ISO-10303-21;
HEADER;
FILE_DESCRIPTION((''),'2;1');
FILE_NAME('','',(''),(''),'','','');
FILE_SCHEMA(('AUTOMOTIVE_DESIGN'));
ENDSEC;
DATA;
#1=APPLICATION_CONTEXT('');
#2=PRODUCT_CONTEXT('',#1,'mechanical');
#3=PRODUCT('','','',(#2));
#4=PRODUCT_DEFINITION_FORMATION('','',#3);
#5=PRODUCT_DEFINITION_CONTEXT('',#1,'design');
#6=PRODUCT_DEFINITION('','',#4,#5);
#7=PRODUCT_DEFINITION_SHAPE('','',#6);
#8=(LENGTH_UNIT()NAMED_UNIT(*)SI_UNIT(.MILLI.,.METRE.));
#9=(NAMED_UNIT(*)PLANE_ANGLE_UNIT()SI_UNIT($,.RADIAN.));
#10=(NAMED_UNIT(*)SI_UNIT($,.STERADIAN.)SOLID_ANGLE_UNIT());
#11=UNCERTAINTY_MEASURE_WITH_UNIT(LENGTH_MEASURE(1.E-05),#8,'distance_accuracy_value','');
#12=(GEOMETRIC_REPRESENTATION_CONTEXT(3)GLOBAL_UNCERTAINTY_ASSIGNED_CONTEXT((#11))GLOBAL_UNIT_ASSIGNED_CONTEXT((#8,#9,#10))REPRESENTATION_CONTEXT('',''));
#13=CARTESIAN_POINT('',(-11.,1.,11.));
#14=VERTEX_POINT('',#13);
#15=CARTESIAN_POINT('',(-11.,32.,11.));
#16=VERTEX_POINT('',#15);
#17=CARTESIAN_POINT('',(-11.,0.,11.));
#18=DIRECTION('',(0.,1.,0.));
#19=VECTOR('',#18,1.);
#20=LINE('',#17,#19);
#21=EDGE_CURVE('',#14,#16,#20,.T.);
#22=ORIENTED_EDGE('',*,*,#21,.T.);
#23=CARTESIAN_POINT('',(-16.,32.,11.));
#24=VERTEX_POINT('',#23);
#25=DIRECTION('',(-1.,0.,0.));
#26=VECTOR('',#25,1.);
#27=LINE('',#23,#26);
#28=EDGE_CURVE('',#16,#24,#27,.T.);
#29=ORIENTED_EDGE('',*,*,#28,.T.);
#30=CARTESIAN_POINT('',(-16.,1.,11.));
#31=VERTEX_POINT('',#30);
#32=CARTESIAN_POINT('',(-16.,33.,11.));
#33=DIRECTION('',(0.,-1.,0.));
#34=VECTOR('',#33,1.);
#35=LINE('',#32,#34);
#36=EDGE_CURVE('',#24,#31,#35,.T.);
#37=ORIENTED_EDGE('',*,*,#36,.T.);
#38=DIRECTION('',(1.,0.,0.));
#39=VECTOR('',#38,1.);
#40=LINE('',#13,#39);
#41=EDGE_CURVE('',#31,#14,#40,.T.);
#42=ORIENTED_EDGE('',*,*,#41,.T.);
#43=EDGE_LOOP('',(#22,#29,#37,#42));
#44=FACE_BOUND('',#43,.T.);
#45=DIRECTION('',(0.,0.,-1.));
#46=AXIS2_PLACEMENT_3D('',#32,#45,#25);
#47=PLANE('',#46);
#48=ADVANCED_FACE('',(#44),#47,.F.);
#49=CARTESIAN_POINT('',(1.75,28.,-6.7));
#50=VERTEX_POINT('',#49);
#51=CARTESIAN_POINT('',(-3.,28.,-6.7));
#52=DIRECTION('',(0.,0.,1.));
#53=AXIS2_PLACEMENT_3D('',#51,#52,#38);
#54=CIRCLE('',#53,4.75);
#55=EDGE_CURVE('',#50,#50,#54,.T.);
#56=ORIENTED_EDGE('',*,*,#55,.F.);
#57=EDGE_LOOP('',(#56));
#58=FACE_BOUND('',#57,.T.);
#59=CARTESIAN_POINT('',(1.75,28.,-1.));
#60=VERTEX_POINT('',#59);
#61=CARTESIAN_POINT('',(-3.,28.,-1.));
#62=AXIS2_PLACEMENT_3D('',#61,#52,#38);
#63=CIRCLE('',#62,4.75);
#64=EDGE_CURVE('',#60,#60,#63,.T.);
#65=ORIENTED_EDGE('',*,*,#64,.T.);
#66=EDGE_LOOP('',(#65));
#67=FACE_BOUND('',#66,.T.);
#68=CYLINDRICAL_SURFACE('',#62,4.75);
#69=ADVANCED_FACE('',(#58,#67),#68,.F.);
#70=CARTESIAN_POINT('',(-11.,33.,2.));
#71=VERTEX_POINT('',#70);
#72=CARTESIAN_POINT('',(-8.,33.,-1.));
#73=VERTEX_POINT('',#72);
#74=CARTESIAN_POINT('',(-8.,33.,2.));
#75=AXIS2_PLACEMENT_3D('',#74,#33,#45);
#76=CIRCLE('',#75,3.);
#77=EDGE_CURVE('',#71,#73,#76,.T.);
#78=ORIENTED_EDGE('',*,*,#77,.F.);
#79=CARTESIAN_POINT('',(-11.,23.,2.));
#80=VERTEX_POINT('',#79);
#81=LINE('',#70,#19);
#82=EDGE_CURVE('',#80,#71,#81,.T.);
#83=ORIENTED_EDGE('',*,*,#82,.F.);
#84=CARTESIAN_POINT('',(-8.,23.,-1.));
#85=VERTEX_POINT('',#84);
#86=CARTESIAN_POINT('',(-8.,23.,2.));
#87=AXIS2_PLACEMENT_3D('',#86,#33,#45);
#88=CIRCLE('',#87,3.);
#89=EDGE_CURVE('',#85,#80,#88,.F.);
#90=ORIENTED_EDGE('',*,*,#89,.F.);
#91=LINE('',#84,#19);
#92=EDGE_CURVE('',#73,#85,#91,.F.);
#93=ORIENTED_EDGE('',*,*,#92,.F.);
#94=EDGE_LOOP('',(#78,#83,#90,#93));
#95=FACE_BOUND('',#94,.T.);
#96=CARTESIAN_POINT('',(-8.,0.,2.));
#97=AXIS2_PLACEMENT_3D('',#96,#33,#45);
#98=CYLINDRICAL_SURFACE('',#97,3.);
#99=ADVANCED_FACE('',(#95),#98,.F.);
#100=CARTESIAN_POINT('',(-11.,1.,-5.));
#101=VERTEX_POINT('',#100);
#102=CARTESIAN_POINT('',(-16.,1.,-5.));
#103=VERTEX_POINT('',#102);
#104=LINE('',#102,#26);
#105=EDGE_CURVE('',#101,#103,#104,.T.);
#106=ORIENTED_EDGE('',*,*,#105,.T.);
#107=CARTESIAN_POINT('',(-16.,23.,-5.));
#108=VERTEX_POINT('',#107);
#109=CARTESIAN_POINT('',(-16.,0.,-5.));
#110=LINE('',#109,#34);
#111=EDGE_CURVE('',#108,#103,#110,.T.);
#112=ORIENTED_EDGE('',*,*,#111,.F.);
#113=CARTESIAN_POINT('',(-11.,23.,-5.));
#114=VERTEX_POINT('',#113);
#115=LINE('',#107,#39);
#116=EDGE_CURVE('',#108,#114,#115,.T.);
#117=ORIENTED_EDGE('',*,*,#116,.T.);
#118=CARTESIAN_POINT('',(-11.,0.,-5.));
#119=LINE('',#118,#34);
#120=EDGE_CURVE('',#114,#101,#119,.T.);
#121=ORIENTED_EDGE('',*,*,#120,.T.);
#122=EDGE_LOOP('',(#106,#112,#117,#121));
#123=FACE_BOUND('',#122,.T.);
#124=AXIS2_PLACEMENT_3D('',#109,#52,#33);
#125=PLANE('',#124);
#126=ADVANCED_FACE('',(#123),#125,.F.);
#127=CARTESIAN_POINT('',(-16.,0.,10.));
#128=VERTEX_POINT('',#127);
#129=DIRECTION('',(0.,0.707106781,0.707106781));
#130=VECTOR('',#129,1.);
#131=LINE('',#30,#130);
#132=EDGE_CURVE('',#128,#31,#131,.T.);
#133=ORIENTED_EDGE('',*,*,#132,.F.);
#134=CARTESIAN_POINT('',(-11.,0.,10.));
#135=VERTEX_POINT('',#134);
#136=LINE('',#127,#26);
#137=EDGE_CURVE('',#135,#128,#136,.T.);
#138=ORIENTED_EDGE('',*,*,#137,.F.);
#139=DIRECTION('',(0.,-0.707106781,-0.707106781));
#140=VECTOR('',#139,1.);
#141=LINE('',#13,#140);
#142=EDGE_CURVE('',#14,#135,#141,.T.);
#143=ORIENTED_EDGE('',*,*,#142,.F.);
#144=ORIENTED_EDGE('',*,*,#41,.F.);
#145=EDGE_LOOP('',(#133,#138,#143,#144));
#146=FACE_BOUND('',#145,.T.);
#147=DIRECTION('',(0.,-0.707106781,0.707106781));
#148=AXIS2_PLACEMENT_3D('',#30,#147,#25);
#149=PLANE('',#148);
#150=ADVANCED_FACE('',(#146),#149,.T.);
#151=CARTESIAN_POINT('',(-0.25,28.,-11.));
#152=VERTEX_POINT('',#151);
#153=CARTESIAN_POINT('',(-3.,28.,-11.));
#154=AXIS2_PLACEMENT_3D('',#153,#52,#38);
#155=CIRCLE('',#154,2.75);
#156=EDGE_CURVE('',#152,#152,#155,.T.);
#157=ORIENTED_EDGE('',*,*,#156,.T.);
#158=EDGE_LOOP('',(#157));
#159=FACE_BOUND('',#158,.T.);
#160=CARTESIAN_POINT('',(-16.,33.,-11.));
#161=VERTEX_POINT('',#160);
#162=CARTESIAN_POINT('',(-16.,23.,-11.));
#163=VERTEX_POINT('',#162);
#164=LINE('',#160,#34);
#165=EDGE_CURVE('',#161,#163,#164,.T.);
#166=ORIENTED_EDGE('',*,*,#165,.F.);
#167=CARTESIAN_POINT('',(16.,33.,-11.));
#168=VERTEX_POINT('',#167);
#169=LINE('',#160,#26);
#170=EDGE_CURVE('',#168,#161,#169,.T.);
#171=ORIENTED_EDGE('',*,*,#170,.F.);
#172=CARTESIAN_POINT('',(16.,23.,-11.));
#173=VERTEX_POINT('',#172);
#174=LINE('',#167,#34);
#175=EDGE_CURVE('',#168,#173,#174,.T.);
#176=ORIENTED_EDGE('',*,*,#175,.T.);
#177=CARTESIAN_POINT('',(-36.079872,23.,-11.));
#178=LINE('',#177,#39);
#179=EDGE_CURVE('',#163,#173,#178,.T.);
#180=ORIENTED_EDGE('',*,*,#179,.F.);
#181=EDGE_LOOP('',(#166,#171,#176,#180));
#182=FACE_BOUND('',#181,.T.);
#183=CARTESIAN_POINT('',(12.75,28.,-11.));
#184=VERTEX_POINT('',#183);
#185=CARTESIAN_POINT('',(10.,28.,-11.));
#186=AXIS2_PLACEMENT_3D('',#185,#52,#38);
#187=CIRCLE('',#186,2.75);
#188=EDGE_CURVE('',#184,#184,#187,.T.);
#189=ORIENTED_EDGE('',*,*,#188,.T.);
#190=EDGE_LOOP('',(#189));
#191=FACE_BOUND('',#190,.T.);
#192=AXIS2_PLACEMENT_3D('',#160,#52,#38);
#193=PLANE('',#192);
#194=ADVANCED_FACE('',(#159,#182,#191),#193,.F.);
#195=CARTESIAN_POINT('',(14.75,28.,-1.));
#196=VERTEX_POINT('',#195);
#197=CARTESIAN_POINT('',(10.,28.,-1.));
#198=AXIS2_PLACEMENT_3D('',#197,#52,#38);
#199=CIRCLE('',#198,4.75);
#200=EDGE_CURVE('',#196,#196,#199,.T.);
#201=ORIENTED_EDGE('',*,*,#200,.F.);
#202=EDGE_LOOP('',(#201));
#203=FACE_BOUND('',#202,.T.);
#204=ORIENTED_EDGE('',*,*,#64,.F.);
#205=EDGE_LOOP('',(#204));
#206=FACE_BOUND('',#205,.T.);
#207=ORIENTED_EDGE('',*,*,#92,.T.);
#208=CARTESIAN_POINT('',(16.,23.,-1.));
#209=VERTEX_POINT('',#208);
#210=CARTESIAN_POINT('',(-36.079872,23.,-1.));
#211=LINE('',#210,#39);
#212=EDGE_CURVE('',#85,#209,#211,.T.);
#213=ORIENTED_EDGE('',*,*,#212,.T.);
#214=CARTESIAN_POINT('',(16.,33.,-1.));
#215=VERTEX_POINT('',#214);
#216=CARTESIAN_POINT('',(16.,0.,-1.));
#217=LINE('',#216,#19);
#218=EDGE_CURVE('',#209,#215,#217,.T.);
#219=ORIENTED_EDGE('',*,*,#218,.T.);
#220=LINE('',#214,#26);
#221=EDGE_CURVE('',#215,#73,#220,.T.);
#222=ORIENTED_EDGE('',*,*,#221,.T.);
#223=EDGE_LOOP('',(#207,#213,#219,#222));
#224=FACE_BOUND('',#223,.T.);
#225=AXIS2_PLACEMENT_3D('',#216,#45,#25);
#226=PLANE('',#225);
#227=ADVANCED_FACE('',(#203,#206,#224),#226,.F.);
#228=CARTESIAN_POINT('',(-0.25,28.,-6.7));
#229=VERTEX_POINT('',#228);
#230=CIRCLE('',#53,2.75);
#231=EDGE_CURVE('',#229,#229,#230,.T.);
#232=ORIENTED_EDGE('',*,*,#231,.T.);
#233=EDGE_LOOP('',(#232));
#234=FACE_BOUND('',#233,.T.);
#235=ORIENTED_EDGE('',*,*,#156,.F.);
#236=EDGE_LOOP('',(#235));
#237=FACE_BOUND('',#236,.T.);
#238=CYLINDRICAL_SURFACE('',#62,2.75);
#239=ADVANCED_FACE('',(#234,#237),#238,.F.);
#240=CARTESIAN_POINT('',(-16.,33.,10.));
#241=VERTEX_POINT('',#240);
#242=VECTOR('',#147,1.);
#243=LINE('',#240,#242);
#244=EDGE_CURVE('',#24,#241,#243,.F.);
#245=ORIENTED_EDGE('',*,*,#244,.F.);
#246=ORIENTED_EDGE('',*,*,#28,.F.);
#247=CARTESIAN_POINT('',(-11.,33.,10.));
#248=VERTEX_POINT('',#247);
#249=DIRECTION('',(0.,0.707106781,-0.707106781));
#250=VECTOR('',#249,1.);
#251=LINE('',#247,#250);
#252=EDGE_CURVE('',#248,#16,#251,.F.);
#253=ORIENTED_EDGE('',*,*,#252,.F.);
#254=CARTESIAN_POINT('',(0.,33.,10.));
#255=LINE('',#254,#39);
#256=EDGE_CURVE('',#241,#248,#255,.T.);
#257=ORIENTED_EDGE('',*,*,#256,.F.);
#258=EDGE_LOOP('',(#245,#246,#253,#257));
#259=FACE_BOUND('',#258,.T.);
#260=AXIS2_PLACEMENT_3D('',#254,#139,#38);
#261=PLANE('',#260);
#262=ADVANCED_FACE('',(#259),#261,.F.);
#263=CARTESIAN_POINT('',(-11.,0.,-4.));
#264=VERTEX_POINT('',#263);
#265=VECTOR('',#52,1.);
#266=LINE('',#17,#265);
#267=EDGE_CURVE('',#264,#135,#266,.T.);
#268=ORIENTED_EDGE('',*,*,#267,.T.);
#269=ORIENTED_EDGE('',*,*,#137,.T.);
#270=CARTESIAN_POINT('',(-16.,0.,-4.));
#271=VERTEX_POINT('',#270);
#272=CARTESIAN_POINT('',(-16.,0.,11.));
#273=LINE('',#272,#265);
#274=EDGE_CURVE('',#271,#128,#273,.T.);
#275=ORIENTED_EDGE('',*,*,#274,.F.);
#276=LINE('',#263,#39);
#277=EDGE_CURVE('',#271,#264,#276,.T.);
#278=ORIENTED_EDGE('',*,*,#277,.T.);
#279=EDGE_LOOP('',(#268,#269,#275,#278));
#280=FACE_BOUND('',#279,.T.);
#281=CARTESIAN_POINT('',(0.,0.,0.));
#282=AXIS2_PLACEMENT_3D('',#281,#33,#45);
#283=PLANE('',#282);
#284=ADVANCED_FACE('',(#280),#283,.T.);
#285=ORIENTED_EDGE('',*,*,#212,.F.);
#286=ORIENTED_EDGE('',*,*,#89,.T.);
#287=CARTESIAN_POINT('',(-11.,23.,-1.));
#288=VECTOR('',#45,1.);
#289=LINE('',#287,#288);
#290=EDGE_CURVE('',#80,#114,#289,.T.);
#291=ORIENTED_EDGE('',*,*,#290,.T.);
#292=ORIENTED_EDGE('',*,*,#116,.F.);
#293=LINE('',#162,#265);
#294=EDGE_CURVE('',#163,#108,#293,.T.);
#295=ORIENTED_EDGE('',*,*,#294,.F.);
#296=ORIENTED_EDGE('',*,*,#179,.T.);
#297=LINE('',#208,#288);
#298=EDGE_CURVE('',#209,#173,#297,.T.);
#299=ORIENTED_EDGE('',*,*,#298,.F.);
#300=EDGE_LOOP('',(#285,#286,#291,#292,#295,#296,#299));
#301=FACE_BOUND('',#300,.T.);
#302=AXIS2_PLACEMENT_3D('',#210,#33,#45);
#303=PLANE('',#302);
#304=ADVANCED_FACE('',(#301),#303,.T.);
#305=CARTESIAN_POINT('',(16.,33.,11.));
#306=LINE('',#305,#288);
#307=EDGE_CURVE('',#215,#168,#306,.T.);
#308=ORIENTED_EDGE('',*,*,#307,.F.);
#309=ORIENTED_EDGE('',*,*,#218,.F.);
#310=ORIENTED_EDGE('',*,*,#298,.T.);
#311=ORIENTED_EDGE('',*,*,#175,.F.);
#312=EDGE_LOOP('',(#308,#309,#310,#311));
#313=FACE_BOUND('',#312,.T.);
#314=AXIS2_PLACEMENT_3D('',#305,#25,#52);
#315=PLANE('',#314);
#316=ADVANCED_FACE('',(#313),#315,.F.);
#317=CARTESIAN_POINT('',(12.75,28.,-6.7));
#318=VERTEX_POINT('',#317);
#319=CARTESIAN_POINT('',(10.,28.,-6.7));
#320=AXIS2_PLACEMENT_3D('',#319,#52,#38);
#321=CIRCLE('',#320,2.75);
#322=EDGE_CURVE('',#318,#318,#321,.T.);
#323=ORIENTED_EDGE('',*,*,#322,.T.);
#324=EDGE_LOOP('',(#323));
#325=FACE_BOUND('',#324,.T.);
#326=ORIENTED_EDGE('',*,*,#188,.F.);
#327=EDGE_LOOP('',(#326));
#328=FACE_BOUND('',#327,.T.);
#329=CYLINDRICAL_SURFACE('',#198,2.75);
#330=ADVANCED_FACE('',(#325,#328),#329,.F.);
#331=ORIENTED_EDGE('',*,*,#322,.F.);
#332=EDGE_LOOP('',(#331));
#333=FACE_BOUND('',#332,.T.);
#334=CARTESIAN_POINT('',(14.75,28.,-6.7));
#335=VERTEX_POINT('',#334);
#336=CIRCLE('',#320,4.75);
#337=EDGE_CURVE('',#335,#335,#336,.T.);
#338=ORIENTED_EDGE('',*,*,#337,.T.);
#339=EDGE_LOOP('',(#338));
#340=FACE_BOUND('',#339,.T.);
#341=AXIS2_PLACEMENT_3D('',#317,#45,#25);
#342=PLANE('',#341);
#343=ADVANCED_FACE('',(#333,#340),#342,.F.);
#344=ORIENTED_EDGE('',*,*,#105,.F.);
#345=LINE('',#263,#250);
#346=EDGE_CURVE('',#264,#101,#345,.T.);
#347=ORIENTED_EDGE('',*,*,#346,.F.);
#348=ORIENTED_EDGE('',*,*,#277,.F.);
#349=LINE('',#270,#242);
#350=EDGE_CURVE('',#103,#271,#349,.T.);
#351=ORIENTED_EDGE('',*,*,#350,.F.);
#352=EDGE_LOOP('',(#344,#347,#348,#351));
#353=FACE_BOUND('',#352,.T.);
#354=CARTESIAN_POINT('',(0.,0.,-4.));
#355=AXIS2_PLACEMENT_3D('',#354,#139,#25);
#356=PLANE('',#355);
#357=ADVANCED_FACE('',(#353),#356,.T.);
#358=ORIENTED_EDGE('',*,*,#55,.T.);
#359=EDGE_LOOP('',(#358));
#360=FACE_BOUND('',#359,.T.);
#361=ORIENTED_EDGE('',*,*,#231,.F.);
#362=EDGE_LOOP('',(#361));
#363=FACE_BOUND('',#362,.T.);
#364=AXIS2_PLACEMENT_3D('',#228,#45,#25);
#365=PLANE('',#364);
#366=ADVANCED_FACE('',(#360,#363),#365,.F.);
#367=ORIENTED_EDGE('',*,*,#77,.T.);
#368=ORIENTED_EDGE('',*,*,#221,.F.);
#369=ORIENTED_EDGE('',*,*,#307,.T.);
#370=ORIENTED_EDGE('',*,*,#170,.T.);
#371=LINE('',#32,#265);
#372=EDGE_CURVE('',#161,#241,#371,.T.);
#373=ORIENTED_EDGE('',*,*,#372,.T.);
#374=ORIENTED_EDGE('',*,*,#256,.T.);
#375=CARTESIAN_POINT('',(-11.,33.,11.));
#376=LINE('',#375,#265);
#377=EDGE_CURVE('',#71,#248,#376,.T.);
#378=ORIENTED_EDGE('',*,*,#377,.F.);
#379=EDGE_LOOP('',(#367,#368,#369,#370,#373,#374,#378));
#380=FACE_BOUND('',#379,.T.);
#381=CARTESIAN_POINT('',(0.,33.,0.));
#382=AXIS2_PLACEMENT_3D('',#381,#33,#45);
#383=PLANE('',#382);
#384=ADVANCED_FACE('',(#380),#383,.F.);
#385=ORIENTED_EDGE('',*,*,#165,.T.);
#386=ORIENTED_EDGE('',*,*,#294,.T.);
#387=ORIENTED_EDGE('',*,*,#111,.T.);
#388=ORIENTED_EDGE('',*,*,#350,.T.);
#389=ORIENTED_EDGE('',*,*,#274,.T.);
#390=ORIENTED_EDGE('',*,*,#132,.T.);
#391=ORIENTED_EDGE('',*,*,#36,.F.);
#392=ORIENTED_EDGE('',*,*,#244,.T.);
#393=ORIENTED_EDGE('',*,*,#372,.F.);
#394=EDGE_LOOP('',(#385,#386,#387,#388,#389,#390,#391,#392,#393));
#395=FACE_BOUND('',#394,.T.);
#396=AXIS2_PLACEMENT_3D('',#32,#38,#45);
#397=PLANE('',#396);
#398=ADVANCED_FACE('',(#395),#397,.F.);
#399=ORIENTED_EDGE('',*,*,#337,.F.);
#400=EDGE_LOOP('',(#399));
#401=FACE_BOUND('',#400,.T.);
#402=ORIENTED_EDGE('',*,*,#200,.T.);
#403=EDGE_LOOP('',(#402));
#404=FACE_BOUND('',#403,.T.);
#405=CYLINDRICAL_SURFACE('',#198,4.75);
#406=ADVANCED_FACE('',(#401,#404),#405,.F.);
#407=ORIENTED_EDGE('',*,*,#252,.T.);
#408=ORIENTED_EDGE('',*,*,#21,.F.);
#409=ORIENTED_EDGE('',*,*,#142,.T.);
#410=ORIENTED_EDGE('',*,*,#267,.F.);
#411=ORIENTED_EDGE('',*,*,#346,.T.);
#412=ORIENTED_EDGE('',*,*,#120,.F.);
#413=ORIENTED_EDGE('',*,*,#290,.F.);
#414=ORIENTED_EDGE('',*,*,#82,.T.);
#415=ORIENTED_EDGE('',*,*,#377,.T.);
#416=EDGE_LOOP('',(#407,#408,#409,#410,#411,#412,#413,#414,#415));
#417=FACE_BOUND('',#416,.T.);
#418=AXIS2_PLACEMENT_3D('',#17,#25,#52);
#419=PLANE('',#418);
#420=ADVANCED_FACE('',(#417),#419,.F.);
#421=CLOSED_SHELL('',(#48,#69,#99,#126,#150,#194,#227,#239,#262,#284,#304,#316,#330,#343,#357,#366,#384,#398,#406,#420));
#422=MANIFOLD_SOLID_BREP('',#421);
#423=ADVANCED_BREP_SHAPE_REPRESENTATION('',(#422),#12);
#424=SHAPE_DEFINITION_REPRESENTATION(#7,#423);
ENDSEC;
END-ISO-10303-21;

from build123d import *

# Parameters (mm, degrees)
SKETCH_1_W                = 32
SKETCH_1_H                = 22
EXTRUDE_1_DEPTH           = 33
SKETCH_2_W                = 27
SKETCH_2_H                = 12
CUT_EXTRUDE_1_DEPTH       = 39.288379438
SKETCH_4_W                = 10
SKETCH_4_H                = 23
CUT_EXTRUDE_2_DEPTH       = 27
HOLE_WIZARD_1_D           = 5.5
HOLE_WIZARD_1_CBORE_D     = 9.5
HOLE_WIZARD_1_CBORE_DEPTH = 5.7
SKETCH_8_W                = 6
SKETCH_8_H                = 23
CUT_EXTRUDE_3_DEPTH       = 45.034077713
FILLET_1_R                = 3
CHAMFER_1_SIZE            = 1


with BuildPart() as part:
    # 草图1 → 凸台-拉伸1 (new body)
    with BuildSketch(Plane(origin=(0, 0, 0), x_dir=(1, 0, 0), z_dir=(0, 1, 0))):
        Rectangle(SKETCH_1_W, SKETCH_1_H)
    extrude(amount=EXTRUDE_1_DEPTH)

    # 草图2 → 切除-拉伸1 (cut, through all)
    with BuildSketch(Plane(origin=(0, 33, 0), x_dir=(1, 0, 0), z_dir=(0, 1, 0))):
        with Locations((2.5, -5)):
            Rectangle(SKETCH_2_W, SKETCH_2_H)
    extrude(amount=-CUT_EXTRUDE_1_DEPTH, mode=Mode.SUBTRACT)

    # 草图4 → 切除-拉伸2 (cut)
    with BuildSketch(Plane(origin=(16, 0, -21), x_dir=(0, 0, 1), z_dir=(-1, 0, 0))):
        with Locations((15, 11.5)):
            Rectangle(SKETCH_4_W, SKETCH_4_H)
    extrude(amount=CUT_EXTRUDE_2_DEPTH, mode=Mode.SUBTRACT)

    # 打孔尺寸根据内六角圆柱头螺钉的类型1 (through all)
    with Locations(Plane.XY.offset(-1)):
        with Locations((-3, 28), (10, 28)):
            CounterBoreHole(HOLE_WIZARD_1_D / 2, HOLE_WIZARD_1_CBORE_D / 2, HOLE_WIZARD_1_CBORE_DEPTH)

    # 草图8 → 切除-拉伸3 (cut, through all)
    with BuildSketch(Plane(origin=(-11, 0, 0), x_dir=(0, 0, -1), z_dir=(1, 0, 0))):
        with Locations((8, 11.5)):
            Rectangle(SKETCH_8_W, SKETCH_8_H)
    extrude(amount=-CUT_EXTRUDE_3_DEPTH, mode=Mode.SUBTRACT)

    # 圆角1
    fillet_1_edges = [part.edges().sort_by_distance(p)[0] for p in [
        (-11, 28, -1),
    ]]
    fillet(fillet_1_edges, radius=FILLET_1_R)

    # 倒角1
    chamfer_1_edges = [part.edges().sort_by_distance(p)[0] for p in [
        (-13.5, 33, 11),
        (-13.5, 0, 11),
        (-13.5, 0, -5),
    ]]
    chamfer(chamfer_1_edges, length=CHAMFER_1_SIZE)


solid = part.part
